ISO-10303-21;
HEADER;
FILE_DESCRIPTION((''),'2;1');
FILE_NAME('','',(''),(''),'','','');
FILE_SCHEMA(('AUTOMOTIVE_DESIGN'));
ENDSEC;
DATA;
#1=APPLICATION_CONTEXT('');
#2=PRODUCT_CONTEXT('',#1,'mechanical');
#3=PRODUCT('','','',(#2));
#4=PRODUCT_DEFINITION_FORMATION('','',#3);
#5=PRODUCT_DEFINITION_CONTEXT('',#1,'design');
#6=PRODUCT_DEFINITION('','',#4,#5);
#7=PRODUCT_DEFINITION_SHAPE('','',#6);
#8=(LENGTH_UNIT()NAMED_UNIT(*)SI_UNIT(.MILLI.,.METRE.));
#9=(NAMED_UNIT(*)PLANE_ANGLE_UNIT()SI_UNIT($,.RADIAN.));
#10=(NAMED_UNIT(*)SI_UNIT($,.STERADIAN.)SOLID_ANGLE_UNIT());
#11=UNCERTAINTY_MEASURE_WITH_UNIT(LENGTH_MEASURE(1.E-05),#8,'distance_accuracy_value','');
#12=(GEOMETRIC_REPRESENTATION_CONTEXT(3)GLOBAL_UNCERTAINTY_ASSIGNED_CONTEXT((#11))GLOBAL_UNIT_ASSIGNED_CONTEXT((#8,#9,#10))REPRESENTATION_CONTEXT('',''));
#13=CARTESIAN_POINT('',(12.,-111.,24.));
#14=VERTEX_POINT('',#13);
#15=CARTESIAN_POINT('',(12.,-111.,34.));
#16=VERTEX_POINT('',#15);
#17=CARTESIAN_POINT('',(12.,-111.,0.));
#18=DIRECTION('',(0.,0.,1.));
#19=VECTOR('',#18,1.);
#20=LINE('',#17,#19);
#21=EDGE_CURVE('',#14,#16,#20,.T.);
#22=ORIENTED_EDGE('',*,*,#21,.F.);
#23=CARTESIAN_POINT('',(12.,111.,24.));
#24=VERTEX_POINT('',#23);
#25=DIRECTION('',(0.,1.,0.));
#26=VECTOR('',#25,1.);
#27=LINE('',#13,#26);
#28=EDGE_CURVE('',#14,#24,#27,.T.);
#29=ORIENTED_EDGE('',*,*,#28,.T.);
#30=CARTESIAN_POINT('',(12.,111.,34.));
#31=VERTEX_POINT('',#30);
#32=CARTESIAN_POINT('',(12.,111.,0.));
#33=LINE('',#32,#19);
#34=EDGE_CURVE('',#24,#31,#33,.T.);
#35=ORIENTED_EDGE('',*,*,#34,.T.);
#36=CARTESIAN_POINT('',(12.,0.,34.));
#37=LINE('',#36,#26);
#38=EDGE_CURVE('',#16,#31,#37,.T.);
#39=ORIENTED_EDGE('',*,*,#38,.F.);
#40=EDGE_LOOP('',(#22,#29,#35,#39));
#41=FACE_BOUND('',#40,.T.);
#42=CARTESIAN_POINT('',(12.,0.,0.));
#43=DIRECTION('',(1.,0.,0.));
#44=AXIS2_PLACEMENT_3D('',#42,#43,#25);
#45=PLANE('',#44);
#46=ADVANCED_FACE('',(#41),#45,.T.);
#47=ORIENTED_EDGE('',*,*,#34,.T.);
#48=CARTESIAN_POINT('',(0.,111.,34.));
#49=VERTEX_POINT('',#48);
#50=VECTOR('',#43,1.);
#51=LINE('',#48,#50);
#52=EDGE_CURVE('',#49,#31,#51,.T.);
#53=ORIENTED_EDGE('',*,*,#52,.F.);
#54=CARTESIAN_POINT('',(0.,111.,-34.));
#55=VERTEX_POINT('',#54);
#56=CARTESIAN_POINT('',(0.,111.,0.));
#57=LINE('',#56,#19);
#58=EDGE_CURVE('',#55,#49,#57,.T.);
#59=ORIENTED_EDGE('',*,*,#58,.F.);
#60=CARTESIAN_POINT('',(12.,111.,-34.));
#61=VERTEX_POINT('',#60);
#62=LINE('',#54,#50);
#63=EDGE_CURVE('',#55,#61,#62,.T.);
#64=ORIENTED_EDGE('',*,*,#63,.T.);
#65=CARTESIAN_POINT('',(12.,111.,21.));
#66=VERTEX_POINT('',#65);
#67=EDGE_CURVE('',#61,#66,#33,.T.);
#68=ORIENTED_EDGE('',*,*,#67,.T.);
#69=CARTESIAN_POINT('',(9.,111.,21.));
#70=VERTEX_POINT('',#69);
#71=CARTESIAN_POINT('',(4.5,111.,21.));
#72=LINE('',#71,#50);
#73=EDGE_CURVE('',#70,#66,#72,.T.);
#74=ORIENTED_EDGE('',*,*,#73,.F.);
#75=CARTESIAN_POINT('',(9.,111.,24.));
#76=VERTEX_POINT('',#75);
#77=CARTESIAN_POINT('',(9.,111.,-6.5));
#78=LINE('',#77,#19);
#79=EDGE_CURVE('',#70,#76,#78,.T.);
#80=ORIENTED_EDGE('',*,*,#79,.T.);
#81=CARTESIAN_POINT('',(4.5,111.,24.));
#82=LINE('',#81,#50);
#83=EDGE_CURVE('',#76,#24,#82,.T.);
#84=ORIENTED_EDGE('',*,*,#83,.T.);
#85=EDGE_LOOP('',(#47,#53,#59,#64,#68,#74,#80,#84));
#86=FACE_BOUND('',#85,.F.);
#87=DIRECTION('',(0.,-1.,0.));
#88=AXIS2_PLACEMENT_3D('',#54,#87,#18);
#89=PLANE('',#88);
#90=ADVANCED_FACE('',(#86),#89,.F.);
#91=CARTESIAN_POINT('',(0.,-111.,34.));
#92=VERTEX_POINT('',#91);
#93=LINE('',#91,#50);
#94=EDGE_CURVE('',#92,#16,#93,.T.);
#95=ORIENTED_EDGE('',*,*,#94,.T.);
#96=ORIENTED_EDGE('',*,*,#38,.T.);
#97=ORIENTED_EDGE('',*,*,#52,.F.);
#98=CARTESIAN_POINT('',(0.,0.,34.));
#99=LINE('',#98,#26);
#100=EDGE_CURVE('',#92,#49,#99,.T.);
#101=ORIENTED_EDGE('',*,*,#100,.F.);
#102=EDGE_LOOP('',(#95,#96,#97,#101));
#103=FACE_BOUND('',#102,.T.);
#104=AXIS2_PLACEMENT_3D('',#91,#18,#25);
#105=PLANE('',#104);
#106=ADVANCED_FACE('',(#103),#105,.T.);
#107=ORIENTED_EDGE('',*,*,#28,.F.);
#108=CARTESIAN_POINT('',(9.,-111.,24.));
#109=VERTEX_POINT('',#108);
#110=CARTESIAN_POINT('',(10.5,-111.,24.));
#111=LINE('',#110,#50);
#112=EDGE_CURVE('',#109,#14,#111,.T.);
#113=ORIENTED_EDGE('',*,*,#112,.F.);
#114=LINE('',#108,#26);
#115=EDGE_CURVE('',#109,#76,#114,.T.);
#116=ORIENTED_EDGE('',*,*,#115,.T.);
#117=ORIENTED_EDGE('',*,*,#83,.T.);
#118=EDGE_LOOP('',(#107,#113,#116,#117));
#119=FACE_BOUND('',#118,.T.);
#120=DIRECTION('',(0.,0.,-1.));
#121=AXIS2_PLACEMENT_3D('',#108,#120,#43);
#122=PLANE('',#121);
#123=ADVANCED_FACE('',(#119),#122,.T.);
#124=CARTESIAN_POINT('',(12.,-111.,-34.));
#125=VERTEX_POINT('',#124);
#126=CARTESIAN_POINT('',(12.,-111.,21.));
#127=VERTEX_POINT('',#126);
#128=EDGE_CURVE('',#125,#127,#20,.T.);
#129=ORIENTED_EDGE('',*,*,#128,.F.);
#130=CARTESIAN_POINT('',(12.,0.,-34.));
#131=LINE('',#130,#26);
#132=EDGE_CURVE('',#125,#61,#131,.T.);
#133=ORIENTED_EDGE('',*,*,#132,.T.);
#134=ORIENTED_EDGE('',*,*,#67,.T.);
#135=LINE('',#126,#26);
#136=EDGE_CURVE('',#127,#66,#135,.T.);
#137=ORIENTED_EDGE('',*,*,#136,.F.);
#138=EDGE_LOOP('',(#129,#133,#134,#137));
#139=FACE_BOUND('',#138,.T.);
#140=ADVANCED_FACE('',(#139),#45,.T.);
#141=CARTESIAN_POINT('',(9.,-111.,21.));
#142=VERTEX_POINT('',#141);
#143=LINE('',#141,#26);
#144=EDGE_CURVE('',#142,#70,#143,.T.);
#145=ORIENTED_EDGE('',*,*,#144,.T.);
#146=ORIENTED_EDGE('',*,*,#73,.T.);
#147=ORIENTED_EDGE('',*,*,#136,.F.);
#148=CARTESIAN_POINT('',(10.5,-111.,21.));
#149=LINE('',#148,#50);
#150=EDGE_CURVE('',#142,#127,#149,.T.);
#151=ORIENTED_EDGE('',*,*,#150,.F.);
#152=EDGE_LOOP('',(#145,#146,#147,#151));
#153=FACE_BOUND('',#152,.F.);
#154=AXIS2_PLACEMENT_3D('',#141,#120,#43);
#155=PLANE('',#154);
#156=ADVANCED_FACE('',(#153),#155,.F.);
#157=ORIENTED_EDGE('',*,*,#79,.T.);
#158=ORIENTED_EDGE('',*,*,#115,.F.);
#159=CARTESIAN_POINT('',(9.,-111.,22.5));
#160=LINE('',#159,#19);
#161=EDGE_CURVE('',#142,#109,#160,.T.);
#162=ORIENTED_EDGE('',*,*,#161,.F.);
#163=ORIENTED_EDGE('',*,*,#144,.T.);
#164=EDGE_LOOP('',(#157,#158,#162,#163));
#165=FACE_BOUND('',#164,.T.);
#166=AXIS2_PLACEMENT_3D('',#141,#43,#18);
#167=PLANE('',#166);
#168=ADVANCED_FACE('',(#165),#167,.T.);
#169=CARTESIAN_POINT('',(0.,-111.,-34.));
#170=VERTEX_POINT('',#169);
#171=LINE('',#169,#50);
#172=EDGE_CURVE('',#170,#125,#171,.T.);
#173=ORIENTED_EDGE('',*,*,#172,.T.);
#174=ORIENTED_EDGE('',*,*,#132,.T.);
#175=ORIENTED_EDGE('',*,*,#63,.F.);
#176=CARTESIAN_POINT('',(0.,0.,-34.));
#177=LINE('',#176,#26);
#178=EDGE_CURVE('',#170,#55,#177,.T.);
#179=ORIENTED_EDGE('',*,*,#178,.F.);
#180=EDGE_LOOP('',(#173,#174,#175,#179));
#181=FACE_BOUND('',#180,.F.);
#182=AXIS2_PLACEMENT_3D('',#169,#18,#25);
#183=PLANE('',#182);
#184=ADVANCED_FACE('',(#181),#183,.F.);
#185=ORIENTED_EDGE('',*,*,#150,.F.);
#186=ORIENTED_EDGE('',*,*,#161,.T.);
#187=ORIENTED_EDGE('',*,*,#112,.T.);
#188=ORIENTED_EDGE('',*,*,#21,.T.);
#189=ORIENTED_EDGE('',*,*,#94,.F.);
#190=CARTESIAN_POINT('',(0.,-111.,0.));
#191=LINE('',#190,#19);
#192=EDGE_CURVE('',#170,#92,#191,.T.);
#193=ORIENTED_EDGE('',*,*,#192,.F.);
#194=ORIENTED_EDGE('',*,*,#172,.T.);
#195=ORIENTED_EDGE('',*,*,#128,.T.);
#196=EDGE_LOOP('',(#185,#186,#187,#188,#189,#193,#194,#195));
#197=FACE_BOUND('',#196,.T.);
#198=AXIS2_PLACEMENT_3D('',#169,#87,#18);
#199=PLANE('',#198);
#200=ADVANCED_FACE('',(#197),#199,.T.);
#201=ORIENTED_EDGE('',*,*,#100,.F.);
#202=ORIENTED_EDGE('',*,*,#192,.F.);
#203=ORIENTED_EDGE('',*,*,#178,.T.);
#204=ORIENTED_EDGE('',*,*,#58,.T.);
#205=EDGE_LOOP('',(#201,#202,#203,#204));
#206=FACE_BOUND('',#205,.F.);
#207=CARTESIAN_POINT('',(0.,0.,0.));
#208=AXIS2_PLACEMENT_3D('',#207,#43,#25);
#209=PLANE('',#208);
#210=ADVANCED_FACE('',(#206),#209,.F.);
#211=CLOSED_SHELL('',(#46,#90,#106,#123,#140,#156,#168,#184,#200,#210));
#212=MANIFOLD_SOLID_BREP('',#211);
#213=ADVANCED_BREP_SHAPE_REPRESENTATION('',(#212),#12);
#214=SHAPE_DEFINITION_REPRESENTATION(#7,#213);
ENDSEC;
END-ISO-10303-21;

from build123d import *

# Parameters (mm, degrees)
F0_W     = 222
F0_H     = 68
F1_DEPTH = 12
F2_W     = 3
F2_H     = 3
F3_DEPTH = 31343.6


with BuildPart() as f1:
    # F0 (on Right) → F1 (new body)
    with BuildSketch(Plane.YZ):
        Rectangle(F0_W, F0_H)
    extrude(amount=F1_DEPTH)

    # F2 (on face) → F3 (cut)
    with BuildSketch(Plane.XZ.offset(111)):
        with Locations((10.5, 22.5)):
            Rectangle(F2_W, F2_H)
    extrude(amount=-F3_DEPTH, mode=Mode.SUBTRACT)


solid = f1.part
